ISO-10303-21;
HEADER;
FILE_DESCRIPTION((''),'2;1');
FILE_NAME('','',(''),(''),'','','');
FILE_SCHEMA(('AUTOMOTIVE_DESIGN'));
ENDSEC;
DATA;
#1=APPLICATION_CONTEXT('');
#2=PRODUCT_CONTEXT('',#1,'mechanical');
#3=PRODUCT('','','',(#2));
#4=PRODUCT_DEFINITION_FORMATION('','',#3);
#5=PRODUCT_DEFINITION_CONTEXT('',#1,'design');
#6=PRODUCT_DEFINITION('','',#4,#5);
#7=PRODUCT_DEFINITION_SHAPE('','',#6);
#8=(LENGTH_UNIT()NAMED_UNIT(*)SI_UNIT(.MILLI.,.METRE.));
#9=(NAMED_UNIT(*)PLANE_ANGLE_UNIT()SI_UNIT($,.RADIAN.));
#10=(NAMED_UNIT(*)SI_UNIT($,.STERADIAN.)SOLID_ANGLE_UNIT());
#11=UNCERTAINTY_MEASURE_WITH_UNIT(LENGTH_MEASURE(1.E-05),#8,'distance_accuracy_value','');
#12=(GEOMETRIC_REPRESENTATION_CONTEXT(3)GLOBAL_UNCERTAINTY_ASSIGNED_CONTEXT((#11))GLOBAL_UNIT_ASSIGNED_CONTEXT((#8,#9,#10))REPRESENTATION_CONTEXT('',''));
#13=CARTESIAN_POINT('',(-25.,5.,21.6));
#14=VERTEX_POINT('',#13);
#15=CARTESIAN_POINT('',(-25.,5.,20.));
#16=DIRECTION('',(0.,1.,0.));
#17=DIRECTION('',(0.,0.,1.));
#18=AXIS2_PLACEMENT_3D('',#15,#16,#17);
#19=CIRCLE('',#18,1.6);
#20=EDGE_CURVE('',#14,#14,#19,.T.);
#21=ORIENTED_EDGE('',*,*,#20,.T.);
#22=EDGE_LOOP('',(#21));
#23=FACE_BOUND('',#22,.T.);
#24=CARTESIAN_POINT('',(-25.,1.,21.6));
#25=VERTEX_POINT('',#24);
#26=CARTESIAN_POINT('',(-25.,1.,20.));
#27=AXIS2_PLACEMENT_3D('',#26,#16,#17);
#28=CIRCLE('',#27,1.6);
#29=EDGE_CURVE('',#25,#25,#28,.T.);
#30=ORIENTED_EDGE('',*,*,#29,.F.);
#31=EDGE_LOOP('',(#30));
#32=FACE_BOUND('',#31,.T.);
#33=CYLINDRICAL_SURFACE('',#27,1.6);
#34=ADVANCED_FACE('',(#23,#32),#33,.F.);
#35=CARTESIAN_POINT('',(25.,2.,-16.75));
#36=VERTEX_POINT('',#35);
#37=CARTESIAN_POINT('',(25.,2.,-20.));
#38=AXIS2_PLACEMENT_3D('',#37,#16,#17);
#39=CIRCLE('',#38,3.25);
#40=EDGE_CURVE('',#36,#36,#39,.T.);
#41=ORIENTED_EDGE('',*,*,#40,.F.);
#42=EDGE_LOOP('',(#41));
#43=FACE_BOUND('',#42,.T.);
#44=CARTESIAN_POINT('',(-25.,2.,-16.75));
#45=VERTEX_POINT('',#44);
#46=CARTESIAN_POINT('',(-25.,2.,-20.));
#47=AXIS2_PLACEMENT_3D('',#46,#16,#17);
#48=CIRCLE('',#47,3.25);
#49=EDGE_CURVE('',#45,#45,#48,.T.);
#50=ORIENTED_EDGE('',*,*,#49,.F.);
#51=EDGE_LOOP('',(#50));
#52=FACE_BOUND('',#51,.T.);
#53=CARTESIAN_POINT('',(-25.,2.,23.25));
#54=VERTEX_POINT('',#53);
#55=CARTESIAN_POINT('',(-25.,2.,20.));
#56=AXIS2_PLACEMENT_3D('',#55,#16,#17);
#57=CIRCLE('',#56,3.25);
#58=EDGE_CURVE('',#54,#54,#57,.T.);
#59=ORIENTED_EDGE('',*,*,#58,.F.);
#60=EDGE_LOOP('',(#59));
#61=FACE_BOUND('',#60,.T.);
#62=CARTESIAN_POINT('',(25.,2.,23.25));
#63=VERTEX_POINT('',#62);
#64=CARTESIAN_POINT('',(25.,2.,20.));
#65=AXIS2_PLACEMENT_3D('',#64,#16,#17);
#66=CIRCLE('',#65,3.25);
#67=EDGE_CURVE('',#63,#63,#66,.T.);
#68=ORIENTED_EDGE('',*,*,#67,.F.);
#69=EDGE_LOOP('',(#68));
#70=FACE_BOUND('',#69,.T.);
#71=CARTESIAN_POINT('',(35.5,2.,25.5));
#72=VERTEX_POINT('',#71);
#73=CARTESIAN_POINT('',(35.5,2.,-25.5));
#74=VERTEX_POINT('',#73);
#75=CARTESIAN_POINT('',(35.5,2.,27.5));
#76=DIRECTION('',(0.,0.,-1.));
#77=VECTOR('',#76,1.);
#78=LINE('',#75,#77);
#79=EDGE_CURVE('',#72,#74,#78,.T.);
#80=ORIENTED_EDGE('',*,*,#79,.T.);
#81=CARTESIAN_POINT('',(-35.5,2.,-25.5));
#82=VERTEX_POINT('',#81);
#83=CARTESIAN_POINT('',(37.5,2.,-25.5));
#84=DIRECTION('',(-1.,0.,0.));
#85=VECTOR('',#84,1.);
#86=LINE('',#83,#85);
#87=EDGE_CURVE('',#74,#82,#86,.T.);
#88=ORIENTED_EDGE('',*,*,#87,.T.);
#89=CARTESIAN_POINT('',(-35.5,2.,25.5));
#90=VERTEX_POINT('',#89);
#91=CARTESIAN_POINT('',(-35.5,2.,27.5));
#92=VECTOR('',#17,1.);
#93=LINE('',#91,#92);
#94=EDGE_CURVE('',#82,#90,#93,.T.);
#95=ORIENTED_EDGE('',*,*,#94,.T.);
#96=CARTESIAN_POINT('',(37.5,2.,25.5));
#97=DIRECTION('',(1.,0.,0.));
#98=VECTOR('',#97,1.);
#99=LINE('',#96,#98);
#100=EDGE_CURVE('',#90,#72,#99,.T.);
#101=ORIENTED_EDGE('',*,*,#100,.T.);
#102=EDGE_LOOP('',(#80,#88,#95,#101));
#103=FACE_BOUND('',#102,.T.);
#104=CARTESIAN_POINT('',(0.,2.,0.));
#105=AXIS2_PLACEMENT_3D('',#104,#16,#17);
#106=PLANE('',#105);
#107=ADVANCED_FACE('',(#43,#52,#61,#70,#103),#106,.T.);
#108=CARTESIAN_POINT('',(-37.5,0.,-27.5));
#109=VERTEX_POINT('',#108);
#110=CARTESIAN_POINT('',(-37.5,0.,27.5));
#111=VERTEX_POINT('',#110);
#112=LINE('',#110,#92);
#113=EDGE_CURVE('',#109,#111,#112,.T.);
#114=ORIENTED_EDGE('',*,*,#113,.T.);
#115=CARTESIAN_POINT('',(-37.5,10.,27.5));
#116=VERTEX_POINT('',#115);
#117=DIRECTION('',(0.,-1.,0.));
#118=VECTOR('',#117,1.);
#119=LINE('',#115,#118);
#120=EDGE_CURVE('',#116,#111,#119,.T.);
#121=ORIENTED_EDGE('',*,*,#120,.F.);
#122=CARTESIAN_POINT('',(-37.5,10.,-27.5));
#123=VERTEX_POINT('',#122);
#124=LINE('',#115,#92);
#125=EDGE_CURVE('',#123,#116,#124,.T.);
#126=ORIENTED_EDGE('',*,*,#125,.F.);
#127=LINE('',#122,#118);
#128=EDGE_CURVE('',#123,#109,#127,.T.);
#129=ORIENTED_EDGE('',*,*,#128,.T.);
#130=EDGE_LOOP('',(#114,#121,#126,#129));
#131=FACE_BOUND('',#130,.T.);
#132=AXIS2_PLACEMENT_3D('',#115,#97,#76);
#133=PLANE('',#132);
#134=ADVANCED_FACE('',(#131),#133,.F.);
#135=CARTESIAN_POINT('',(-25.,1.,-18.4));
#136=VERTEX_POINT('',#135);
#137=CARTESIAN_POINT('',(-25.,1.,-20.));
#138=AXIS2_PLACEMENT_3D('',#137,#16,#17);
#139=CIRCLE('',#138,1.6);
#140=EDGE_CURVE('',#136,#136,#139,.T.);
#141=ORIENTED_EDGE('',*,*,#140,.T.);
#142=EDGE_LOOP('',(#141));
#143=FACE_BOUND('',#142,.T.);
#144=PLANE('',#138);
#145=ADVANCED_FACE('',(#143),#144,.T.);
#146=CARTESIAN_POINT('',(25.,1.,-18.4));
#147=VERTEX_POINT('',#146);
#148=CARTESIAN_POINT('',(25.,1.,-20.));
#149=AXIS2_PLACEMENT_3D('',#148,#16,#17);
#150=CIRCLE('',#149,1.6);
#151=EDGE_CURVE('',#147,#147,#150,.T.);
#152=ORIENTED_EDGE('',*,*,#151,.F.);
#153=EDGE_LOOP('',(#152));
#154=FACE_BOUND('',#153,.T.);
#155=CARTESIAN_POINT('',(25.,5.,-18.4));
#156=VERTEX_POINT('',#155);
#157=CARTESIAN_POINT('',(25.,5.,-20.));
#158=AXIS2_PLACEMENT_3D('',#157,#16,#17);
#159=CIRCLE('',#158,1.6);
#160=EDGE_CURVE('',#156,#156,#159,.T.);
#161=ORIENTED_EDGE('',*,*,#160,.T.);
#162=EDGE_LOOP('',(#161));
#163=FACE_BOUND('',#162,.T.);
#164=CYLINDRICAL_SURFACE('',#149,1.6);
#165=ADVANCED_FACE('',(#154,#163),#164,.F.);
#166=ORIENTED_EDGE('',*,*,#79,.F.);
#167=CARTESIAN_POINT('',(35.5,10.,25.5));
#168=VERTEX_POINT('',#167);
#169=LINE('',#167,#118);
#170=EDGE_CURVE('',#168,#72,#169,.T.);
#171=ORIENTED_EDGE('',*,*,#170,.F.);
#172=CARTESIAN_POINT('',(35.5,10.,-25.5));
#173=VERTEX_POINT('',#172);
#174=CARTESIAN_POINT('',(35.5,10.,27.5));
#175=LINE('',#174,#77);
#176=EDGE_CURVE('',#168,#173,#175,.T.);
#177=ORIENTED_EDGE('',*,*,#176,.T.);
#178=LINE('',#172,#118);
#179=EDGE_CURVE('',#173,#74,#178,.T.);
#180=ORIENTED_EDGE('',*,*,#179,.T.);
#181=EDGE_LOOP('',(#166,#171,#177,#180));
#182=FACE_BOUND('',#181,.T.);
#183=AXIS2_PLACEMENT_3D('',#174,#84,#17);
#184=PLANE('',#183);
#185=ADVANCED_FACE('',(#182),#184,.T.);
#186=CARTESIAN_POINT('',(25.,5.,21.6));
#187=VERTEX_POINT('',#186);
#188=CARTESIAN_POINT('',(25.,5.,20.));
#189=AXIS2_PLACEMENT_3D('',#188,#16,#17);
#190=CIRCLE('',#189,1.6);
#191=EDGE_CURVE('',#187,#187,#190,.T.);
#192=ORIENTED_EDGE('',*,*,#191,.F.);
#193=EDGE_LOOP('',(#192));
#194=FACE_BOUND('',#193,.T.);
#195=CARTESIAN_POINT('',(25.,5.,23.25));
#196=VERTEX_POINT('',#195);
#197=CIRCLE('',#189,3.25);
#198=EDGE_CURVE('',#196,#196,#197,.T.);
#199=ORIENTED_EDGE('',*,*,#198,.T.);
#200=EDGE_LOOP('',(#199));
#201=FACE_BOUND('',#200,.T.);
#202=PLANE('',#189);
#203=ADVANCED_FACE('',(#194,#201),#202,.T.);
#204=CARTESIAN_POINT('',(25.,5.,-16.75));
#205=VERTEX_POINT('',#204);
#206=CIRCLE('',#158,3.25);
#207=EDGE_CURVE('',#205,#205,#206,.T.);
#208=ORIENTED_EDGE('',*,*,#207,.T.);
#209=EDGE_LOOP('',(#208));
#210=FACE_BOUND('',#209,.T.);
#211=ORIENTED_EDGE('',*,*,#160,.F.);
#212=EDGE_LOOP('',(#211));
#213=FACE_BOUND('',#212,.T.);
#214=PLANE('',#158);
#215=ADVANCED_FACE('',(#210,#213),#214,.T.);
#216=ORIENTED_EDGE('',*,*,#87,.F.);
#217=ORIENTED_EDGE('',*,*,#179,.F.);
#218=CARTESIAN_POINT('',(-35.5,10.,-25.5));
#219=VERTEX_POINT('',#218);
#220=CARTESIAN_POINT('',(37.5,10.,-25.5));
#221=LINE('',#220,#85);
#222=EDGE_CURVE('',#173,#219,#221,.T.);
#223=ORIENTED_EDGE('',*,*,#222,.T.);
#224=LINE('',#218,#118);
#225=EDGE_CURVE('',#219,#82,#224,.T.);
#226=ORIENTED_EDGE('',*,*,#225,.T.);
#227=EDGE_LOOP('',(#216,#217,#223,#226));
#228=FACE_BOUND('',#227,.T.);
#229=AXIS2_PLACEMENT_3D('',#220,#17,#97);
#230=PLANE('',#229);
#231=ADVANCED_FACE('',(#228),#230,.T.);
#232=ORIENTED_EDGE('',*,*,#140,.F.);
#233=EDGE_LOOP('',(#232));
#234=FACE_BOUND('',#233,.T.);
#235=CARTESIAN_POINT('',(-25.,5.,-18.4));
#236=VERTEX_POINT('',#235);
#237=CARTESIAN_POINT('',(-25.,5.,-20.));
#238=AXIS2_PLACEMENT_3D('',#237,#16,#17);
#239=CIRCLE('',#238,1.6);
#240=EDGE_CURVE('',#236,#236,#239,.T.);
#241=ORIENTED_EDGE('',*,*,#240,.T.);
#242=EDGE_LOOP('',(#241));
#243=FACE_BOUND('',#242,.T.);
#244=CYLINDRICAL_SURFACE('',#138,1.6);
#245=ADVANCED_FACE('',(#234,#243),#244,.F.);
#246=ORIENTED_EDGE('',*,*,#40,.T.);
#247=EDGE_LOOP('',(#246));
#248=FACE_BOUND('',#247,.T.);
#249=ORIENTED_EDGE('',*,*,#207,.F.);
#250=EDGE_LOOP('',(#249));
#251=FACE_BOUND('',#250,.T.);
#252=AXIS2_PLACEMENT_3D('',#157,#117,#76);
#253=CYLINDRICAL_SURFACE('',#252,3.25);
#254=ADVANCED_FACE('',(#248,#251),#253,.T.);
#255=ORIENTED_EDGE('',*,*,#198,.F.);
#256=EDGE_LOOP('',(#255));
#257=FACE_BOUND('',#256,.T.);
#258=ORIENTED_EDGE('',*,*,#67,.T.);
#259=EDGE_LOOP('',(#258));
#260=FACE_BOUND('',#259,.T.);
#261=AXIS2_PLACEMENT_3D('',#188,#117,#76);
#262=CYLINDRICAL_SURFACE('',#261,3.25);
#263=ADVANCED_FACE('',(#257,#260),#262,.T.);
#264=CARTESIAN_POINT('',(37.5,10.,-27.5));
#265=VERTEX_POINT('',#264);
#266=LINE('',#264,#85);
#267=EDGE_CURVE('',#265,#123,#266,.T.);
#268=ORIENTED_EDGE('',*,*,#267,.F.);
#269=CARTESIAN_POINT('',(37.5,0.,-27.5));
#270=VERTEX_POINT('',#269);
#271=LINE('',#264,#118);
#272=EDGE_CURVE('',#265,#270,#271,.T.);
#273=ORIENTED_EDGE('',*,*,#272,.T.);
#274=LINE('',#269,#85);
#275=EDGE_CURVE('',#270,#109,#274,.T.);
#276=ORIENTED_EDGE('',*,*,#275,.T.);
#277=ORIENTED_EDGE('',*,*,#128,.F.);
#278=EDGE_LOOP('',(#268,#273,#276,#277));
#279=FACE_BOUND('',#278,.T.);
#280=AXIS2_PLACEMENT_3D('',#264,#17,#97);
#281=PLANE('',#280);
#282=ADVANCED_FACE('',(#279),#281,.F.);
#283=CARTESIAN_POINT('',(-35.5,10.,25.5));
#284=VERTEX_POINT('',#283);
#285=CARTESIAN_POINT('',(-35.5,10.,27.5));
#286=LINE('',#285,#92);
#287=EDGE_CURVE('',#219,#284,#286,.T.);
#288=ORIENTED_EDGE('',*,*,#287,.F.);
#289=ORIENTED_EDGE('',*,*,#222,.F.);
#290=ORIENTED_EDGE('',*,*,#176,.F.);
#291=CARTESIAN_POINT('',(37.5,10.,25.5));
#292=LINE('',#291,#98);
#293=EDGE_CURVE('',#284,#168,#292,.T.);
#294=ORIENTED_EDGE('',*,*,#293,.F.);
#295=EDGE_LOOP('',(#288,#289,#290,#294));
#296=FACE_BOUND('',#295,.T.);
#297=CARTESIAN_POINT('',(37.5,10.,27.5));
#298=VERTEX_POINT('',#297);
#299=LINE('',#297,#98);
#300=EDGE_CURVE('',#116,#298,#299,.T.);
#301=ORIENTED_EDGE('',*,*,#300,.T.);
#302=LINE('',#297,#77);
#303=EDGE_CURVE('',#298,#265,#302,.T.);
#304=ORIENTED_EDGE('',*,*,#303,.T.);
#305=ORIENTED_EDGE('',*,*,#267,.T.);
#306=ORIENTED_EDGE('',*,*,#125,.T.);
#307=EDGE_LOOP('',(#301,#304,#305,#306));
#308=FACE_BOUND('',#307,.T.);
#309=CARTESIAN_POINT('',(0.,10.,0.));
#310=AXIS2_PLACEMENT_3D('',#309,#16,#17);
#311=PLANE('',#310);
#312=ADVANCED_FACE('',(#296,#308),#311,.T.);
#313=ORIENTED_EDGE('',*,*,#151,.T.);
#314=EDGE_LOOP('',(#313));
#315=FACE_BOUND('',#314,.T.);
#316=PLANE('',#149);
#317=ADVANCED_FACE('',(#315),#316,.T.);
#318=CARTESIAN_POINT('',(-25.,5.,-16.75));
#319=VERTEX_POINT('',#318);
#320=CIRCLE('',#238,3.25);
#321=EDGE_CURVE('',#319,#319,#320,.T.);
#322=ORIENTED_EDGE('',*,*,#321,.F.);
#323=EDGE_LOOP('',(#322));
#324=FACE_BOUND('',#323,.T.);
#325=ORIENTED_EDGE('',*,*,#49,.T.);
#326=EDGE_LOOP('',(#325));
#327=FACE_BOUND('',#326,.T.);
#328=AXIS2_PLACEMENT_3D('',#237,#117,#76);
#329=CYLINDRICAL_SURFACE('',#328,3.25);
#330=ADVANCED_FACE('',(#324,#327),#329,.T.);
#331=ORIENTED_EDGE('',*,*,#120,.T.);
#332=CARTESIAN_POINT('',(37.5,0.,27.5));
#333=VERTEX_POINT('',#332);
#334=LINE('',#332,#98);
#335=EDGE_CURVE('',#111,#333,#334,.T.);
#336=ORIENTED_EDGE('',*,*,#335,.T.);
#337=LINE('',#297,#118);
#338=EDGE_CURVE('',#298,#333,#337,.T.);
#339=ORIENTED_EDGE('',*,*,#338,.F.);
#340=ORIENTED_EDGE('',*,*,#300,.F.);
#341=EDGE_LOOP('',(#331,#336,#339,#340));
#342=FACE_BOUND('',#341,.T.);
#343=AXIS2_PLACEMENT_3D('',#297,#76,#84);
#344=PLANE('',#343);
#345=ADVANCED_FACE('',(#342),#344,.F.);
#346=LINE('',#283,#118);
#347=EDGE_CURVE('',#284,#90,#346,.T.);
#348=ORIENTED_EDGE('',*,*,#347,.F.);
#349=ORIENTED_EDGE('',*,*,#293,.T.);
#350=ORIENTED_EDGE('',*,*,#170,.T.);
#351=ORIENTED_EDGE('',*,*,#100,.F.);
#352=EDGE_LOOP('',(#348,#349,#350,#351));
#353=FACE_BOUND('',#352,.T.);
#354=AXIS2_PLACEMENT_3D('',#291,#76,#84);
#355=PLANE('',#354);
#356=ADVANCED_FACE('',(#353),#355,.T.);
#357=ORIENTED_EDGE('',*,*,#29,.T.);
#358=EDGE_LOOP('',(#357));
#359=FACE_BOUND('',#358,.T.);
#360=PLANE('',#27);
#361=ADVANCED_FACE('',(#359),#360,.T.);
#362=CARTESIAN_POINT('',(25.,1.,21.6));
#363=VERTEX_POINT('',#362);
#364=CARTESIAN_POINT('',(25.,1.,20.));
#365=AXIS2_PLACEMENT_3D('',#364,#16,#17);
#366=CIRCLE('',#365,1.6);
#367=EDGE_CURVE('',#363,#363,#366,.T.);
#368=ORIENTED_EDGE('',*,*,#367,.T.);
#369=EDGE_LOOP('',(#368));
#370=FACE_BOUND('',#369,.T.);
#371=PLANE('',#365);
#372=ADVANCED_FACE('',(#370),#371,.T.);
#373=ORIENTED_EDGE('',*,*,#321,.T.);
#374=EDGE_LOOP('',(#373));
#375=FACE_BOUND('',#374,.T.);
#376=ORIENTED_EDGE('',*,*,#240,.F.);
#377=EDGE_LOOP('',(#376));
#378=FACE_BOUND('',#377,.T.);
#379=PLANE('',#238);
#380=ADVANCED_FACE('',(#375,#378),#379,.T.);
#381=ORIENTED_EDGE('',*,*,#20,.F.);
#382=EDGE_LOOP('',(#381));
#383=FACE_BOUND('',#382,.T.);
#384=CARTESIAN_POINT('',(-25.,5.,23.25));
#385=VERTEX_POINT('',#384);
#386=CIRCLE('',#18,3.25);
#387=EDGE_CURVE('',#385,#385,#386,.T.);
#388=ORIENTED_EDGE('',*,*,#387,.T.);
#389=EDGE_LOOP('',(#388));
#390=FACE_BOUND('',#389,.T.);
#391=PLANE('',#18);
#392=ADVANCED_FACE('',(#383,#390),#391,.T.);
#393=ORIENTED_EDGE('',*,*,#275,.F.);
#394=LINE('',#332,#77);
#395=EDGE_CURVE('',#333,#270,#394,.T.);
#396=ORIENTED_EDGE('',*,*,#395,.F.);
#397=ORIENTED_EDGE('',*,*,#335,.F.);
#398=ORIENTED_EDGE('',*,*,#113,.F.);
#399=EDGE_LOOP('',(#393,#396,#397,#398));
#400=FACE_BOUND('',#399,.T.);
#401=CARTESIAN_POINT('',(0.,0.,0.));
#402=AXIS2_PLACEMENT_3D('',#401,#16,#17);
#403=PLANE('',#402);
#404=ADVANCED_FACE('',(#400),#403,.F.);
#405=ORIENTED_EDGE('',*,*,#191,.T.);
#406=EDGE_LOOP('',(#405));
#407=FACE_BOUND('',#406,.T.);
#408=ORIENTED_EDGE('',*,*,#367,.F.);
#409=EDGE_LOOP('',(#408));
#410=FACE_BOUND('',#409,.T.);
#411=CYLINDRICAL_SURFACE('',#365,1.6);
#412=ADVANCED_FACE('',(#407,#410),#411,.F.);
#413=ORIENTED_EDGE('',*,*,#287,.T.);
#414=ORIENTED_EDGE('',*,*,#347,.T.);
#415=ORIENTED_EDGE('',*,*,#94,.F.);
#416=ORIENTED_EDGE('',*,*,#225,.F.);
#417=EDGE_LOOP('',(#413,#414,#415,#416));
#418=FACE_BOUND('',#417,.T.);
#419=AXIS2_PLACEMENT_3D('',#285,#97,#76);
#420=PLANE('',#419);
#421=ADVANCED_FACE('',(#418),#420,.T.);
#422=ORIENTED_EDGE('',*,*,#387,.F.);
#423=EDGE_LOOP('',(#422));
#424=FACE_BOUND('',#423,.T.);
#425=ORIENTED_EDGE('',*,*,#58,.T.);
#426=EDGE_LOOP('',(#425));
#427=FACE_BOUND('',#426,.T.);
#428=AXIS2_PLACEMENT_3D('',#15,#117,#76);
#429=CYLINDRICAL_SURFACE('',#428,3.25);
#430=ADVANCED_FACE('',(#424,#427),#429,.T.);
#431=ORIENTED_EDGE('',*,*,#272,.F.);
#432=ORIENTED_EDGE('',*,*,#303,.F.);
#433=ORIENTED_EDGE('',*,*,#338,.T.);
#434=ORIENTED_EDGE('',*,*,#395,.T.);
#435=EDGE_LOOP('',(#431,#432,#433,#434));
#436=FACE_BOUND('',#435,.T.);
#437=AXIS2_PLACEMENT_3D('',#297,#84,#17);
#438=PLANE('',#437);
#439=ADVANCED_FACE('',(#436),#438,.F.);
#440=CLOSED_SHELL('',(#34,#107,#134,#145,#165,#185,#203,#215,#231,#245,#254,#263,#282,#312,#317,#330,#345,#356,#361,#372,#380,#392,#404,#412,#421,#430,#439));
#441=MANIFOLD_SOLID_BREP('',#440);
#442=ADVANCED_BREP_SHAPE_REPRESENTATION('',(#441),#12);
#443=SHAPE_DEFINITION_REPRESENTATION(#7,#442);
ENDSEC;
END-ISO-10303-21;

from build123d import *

# Parameters (mm, degrees)
SKETCH1_W             = 75
SKETCH1_H             = 55
BODY_DEPTH            = 10
SHELL1_T              = -2
SKETCH2_R             = 3.25
INSERTS_SUPPORT_DEPTH = 3
SKETCH3_R             = 1.6
INSERTS_HOLES_DEPTH   = 4


with BuildPart() as part:
    # Sketch1 → Body (new body)
    with BuildSketch(Plane(origin=(0, 0, 0), x_dir=(1, 0, 0), z_dir=(0, 1, 0))):
        Rectangle(SKETCH1_W, SKETCH1_H)
    extrude(amount=BODY_DEPTH)

    # Shell1
    shell1_openings = [part.faces().sort_by_distance(p)[0] for p in [
        (0, 10, 0),
    ]]
    offset(amount=SHELL1_T, openings=shell1_openings, kind=Kind.INTERSECTION)

    # Sketch2 → Inserts_Support (add)
    with BuildSketch(Plane(origin=(0, 2, 0), x_dir=(1, 0, 0), z_dir=(0, 1, 0))):
        with Locations(Location((-25, 20, 0), (0, 0, 270))):
            Circle(SKETCH2_R)
        with Locations(Location((25, 20, 0), (0, 0, 270))):
            Circle(SKETCH2_R)
        with Locations(Location((25, -20, 0), (0, 0, 270))):
            Circle(SKETCH2_R)
        with Locations(Location((-25, -20, 0), (0, 0, 270))):
            Circle(SKETCH2_R)
    extrude(amount=INSERTS_SUPPORT_DEPTH)

    # Sketch3 → Inserts_Holes (cut)
    with BuildSketch(Plane(origin=(0, 5, 0), x_dir=(1, 0, 0), z_dir=(0, 1, 0))):
        with Locations(Location((-25, 20, 0), (0, 0, 270))):
            Circle(SKETCH3_R)
        with Locations(Location((25, 20, 0), (0, 0, 270))):
            Circle(SKETCH3_R)
        with Locations(Location((25, -20, 0), (0, 0, 270))):
            Circle(SKETCH3_R)
        with Locations(Location((-25, -20, 0), (0, 0, 270))):
            Circle(SKETCH3_R)
    extrude(amount=-INSERTS_HOLES_DEPTH, mode=Mode.SUBTRACT)


solid = part.part
